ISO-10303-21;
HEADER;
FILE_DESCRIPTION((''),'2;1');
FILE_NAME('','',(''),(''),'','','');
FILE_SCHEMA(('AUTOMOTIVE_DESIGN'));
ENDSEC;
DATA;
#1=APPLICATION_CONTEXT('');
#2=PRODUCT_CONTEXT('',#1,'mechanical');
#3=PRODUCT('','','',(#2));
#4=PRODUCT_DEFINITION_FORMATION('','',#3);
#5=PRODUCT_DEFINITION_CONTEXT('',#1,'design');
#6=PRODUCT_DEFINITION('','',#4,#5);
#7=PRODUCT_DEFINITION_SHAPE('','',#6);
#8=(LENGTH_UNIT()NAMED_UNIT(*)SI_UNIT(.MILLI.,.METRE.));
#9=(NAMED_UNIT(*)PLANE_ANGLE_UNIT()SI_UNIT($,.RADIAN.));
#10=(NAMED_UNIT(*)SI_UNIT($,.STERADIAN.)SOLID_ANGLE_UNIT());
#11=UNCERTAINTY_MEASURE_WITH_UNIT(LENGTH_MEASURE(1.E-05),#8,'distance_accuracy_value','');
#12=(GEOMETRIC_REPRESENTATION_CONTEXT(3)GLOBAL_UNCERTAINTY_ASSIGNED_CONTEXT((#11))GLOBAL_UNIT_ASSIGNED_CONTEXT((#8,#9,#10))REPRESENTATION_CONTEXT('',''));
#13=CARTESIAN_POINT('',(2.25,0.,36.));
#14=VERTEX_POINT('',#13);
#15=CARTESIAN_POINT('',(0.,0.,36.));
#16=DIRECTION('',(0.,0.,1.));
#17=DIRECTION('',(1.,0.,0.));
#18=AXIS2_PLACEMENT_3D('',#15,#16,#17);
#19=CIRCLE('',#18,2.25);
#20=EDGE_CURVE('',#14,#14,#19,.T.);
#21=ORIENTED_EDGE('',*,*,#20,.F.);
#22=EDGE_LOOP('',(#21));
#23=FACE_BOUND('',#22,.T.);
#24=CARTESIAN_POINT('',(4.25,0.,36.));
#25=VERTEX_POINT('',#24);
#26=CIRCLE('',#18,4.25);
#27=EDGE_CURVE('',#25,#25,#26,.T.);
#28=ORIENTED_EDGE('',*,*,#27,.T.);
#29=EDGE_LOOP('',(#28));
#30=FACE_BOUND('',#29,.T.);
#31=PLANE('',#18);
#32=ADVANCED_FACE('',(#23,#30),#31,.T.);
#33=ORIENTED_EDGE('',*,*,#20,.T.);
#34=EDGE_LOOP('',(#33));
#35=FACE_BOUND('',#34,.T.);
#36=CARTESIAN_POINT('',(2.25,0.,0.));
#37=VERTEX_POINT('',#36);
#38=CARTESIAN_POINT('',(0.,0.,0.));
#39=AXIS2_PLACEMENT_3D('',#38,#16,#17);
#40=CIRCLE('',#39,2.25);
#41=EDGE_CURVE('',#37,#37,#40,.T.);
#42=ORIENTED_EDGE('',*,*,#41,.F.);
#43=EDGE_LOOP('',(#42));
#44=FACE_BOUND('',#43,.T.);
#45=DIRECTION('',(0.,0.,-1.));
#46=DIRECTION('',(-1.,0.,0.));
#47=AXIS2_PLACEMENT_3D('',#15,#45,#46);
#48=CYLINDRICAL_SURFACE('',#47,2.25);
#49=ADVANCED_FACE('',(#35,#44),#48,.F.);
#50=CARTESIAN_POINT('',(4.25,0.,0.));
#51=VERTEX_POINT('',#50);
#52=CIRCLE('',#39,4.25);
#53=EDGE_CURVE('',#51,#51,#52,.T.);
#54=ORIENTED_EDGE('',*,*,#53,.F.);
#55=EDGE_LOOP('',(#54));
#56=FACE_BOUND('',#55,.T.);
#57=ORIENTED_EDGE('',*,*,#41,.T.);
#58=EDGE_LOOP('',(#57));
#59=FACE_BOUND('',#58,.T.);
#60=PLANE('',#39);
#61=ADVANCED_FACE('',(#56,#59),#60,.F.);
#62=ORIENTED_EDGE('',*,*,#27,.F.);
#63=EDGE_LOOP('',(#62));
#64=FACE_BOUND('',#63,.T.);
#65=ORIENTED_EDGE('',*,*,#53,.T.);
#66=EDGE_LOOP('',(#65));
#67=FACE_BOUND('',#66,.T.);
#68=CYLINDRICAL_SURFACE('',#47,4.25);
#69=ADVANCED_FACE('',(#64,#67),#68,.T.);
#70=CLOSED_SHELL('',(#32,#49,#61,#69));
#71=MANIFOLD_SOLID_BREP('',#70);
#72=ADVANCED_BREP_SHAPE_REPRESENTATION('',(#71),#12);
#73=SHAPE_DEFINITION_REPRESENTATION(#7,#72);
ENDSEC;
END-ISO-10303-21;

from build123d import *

# Parameters (mm, degrees)
SKETCH_1_R      = 4.25
SKETCH_1_R_2    = 2.25
EXTRUDE_1_DEPTH = 36


with BuildPart() as part:
    # 草图1 → 凸台-拉伸1 (new body)
    with BuildSketch(Plane.XY):
        Circle(SKETCH_1_R)
        Circle(SKETCH_1_R_2, mode=Mode.SUBTRACT)
    extrude(amount=EXTRUDE_1_DEPTH)


solid = part.part
